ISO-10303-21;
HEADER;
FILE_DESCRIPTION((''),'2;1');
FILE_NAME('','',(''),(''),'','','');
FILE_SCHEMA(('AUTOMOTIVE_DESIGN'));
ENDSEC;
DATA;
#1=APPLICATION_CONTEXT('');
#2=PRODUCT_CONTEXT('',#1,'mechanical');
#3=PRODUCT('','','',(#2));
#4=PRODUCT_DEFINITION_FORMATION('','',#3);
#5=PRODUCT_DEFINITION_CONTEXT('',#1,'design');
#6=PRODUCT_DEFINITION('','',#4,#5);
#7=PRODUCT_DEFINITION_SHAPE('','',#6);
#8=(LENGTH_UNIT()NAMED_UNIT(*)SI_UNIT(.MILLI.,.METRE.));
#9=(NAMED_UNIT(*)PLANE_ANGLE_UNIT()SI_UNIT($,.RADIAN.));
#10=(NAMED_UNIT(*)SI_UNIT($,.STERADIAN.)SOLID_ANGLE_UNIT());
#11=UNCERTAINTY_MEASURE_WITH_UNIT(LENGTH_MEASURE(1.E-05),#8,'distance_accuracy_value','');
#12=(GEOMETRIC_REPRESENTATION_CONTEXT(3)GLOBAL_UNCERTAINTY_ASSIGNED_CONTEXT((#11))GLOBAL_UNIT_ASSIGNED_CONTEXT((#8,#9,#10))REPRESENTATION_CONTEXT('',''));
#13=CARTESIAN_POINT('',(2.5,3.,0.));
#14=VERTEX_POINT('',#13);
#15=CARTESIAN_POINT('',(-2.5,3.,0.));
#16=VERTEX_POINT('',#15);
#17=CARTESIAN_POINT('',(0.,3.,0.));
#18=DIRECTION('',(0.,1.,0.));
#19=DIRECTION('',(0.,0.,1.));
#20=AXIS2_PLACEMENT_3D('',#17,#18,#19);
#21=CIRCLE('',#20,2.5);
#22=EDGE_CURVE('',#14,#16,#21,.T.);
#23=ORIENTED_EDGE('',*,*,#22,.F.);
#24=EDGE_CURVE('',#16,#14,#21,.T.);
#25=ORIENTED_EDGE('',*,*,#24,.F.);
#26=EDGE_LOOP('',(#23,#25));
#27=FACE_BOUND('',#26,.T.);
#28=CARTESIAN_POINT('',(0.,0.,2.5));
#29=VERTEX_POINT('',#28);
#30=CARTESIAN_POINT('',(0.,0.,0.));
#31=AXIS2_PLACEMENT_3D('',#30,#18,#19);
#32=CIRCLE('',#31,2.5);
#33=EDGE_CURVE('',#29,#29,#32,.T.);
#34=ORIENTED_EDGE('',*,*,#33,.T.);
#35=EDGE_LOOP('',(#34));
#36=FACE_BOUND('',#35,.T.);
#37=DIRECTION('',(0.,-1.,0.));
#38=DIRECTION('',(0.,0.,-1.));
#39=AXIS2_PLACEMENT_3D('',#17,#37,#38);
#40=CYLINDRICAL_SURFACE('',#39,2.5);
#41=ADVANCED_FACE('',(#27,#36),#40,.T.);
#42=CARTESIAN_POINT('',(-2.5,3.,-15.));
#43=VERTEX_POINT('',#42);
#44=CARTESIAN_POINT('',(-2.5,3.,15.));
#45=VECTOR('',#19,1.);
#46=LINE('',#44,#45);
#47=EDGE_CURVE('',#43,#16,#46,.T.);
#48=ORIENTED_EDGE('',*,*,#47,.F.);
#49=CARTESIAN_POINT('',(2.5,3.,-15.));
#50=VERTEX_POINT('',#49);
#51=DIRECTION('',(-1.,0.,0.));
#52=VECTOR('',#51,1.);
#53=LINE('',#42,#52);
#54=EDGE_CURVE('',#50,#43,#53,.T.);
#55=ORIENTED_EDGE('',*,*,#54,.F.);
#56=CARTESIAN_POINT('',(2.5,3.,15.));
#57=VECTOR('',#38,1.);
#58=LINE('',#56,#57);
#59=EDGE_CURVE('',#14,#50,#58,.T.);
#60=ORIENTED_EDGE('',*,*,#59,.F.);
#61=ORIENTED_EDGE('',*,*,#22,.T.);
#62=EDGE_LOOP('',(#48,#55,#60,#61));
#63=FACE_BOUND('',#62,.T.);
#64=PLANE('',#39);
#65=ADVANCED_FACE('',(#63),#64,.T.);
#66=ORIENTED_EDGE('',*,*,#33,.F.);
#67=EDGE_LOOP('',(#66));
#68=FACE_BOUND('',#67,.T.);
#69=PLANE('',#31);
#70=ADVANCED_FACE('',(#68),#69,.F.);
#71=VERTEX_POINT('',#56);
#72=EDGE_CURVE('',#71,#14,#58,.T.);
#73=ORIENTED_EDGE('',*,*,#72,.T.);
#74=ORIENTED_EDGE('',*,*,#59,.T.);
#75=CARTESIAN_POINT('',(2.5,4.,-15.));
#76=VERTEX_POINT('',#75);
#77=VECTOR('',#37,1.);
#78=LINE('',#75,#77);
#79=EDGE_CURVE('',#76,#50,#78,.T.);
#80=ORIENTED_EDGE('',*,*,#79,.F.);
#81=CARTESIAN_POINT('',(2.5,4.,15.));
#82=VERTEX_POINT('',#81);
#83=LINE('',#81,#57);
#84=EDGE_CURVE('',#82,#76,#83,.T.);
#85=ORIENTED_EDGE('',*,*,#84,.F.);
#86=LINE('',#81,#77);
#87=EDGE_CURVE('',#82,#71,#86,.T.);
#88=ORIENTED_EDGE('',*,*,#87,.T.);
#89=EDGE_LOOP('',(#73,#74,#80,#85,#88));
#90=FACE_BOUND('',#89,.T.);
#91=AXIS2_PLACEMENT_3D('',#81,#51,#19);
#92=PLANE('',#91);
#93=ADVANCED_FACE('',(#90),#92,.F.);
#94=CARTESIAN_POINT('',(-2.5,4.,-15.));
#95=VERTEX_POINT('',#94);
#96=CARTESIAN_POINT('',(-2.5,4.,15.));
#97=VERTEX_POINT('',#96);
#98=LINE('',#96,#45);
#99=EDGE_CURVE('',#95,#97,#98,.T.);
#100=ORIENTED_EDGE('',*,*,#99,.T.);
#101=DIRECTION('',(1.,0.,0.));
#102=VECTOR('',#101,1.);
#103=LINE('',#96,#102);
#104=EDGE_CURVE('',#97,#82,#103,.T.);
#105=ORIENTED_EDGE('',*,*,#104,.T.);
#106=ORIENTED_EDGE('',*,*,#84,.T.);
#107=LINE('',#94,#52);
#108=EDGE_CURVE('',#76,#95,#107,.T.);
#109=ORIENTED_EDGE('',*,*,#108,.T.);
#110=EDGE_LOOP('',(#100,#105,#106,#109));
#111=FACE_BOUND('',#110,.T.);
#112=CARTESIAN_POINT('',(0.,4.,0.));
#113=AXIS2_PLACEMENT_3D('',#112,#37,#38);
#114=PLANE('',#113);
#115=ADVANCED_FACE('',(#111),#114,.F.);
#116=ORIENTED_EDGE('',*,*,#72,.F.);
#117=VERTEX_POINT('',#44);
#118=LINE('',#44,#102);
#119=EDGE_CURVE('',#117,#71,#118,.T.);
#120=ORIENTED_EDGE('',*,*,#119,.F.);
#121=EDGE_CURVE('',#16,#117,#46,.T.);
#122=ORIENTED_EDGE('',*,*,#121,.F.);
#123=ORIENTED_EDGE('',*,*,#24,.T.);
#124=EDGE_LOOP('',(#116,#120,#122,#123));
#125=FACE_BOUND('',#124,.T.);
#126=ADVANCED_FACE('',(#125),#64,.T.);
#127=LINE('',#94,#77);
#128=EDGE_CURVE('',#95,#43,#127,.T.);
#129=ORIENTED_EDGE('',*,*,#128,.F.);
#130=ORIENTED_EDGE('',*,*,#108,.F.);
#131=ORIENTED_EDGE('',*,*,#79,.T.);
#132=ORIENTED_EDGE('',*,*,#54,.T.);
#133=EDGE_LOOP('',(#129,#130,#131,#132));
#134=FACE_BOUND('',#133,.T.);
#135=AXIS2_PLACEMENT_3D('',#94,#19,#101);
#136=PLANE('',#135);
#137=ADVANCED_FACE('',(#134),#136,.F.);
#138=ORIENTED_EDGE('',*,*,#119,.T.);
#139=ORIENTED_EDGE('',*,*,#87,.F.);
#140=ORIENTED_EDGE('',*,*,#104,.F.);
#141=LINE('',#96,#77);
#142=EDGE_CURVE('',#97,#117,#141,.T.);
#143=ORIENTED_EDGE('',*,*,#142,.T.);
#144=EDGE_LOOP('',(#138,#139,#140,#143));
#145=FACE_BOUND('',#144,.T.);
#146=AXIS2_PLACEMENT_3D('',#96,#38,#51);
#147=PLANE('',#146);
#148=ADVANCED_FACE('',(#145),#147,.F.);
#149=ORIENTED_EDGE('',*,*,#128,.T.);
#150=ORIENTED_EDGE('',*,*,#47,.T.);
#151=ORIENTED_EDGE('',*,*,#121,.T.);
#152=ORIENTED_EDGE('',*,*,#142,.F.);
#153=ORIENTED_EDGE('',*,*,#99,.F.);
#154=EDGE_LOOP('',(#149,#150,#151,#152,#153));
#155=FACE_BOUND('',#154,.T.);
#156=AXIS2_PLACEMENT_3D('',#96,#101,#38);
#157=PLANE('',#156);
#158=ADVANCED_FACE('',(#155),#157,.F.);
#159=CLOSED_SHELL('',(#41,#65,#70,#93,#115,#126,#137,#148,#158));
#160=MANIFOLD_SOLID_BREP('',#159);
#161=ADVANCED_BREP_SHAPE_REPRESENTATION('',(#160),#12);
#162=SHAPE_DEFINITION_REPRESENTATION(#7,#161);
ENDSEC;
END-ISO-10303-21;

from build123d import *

# Parameters (mm, degrees)
ESQUISSE1_R        = 2.5
BOSS_EXTRU_1_DEPTH = 3
ESQUISSE2_W        = 5
ESQUISSE2_H        = 30
BOSS_EXTRU_2_DEPTH = 1


with BuildPart() as part:
    # Esquisse1 → Boss.-Extru.1 (new body)
    with BuildSketch(Plane(origin=(0, 0, 0), x_dir=(1, 0, 0), z_dir=(0, 1, 0))):
        with Locations(Location((0, 0, 0), (0, 0, 270))):
            Circle(ESQUISSE1_R)
    extrude(amount=BOSS_EXTRU_1_DEPTH)

    # Esquisse2 → Boss.-Extru.2 (add)
    with BuildSketch(Plane(origin=(0, 3, 0), x_dir=(1, 0, 0), z_dir=(0, 1, 0))):
        Rectangle(ESQUISSE2_W, ESQUISSE2_H)
    extrude(amount=BOSS_EXTRU_2_DEPTH)


solid = part.part
